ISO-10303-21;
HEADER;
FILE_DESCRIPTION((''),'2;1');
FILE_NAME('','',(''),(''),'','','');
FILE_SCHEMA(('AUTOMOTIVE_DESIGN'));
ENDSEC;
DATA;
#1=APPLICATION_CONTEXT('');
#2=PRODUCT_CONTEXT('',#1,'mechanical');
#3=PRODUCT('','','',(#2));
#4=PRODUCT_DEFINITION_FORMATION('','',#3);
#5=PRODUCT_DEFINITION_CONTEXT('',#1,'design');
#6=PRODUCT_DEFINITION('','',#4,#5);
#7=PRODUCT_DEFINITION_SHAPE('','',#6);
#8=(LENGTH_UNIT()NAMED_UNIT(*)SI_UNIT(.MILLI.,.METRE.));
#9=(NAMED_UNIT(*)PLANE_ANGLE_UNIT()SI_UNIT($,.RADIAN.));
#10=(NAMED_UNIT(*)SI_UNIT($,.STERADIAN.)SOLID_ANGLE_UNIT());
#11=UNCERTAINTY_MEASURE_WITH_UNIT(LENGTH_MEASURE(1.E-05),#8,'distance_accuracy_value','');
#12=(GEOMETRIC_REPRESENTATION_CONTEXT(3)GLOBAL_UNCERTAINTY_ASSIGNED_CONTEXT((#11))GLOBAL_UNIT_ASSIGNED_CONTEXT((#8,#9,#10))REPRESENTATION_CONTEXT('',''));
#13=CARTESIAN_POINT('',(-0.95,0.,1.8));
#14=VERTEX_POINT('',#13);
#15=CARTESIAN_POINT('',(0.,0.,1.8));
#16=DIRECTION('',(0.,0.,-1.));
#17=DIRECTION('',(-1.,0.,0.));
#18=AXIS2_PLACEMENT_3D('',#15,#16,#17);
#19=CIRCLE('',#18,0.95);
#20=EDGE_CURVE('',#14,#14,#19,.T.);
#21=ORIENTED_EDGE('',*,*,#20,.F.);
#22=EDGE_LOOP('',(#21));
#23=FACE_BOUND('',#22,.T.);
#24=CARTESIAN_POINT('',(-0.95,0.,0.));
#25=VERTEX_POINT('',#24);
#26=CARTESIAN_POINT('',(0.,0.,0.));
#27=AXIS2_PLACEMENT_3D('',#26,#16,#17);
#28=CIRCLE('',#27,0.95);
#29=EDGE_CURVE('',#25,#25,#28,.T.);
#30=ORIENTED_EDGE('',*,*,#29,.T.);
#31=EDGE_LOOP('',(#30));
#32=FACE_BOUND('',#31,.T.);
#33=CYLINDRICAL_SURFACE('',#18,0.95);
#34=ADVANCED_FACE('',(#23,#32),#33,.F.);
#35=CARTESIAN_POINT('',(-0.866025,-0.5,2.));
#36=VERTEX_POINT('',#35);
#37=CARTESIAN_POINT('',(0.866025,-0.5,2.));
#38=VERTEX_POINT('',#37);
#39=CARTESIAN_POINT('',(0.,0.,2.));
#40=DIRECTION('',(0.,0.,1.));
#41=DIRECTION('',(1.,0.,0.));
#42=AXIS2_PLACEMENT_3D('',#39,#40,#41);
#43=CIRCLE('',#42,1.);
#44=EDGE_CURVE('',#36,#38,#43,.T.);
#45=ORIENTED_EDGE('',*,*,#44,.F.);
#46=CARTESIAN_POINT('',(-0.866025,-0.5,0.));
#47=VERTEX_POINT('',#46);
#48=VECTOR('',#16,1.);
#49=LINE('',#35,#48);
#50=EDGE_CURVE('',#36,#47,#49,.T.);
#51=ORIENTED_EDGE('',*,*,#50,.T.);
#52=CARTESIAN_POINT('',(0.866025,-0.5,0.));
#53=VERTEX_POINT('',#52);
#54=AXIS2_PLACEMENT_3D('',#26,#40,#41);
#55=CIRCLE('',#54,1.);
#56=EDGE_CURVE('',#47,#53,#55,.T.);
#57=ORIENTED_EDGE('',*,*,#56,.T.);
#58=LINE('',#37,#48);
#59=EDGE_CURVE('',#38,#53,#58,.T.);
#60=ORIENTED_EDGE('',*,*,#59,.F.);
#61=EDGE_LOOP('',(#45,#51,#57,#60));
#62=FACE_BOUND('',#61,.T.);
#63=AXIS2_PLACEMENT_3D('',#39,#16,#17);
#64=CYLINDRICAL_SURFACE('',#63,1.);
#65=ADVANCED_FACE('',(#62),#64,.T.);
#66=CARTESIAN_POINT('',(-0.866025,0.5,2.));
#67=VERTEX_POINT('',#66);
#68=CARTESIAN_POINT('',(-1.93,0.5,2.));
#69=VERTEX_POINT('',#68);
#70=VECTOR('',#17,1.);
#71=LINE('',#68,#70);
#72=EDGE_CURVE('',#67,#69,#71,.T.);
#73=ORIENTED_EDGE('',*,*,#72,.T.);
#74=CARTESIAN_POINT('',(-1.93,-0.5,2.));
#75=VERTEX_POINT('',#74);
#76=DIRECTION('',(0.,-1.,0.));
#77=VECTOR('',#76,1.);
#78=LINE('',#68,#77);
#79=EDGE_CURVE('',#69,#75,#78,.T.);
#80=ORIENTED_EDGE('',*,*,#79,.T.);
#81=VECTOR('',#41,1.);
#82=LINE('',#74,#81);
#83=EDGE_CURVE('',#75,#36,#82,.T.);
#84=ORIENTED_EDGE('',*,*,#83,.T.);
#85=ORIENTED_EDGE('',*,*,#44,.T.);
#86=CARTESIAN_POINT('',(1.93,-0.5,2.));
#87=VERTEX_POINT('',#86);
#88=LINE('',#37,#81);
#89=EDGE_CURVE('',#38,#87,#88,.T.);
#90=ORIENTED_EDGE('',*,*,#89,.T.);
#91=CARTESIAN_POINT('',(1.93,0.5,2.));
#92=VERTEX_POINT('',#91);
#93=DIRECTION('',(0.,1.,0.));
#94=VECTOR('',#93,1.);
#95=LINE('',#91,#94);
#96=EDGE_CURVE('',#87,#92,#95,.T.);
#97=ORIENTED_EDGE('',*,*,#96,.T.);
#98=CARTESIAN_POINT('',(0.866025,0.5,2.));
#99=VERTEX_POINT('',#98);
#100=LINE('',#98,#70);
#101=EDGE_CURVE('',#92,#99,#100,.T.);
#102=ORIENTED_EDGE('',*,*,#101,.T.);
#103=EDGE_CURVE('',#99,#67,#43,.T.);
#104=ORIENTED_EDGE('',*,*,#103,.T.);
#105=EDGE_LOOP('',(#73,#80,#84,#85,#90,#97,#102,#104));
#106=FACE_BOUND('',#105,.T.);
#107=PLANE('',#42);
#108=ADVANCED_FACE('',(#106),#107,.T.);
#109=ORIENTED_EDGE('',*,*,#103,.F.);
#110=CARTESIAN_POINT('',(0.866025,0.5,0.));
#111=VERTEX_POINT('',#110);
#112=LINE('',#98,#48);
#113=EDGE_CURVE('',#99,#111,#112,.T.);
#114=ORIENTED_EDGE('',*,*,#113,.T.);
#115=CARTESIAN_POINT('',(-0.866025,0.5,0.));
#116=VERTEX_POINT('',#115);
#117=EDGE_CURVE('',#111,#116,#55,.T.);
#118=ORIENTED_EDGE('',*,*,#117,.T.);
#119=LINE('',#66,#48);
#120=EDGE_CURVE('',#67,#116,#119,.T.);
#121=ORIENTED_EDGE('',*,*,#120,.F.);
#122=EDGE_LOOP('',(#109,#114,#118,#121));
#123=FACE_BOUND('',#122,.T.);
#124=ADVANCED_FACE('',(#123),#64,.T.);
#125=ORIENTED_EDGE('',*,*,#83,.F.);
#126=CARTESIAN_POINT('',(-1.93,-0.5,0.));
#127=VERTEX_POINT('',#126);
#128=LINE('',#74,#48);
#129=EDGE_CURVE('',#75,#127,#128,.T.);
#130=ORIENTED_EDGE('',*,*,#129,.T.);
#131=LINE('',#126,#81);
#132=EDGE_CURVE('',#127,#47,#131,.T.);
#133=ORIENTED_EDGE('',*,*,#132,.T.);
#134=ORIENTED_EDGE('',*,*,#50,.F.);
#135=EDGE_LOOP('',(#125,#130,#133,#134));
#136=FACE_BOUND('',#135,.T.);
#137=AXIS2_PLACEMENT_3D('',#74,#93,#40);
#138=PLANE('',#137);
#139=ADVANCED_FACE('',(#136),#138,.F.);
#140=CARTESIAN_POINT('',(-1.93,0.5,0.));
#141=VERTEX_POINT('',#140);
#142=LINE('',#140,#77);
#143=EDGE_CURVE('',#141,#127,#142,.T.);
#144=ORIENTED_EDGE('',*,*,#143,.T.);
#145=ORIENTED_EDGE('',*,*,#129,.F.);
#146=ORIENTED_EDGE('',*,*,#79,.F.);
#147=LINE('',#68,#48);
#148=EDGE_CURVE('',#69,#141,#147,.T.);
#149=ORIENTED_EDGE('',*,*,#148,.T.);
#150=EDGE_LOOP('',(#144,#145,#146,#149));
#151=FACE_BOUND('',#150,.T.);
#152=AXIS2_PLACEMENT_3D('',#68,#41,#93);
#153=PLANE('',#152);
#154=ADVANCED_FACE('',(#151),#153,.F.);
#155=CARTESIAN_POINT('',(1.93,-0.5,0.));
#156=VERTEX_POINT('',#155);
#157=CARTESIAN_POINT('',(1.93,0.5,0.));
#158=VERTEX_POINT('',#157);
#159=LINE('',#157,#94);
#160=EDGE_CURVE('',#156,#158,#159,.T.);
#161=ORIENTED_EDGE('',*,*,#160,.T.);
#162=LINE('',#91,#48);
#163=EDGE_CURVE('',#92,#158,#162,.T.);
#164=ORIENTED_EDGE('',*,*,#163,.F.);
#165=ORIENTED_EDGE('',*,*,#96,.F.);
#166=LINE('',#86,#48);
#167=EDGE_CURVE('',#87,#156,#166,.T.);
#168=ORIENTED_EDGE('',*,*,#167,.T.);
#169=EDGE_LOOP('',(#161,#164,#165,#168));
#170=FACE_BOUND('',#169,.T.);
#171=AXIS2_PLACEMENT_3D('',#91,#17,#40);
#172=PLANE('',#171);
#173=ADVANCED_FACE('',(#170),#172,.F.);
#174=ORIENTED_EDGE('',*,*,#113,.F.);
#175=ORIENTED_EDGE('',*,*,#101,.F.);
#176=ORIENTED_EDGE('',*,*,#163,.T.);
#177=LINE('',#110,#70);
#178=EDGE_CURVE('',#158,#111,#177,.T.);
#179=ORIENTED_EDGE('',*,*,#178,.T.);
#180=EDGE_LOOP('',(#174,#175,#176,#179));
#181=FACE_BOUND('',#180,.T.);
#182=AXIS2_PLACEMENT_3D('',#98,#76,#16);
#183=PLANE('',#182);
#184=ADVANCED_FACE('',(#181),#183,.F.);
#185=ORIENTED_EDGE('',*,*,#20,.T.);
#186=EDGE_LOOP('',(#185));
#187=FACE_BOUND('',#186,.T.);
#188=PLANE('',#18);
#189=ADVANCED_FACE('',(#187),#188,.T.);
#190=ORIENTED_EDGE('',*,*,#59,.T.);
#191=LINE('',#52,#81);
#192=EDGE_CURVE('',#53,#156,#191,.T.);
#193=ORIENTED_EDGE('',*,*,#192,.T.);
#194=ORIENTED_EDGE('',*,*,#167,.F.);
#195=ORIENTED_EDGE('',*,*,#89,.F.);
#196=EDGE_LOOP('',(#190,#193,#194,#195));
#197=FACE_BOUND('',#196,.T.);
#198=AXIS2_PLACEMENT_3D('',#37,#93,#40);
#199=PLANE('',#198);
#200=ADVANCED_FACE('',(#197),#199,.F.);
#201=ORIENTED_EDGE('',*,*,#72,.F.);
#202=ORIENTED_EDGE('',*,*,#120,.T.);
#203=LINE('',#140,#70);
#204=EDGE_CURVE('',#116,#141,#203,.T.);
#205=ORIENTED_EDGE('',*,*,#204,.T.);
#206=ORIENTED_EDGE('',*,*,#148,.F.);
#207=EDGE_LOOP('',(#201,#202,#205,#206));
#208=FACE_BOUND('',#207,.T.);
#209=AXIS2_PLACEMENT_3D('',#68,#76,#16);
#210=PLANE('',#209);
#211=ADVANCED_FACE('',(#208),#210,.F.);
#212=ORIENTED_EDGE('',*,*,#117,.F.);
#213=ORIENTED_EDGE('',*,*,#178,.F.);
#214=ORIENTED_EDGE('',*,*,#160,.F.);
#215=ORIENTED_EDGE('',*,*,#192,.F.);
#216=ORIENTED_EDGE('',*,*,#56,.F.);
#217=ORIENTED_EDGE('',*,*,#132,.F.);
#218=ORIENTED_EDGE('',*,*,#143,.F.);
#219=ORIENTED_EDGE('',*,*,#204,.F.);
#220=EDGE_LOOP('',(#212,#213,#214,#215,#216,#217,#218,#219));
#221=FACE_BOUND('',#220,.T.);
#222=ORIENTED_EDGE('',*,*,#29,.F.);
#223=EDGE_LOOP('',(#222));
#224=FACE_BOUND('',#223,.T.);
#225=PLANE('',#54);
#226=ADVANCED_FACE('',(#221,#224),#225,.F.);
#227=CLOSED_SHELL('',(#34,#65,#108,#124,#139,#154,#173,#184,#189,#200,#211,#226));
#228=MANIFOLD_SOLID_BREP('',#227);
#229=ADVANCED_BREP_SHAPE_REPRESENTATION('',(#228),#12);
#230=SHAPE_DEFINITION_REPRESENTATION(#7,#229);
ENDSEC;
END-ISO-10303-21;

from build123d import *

# Parameters (mm, degrees)
BOSS_EXTRUDE1_DEPTH = 2
SKETCH2_R           = 0.95
CUT_EXTRUDE1_DEPTH  = 1.8


with BuildPart() as part:
    # Sketch1 → Boss-Extrude1 (new body)
    with BuildSketch(Plane.XY):
        with BuildLine():
            Line((0.866025404, 0.5), (1.93, 0.5))
            Line((1.93, 0.5), (1.93, -0.5))
            Line((1.93, -0.5), (0.866025404, -0.5))
            ThreePointArc((0.866025404, -0.5), (0, -1), (-0.866025404, -0.5))
            Line((-0.866025404, -0.5), (-1.93, -0.5))
            Line((-1.93, -0.5), (-1.93, 0.5))
            Line((-1.93, 0.5), (-0.866025404, 0.5))
            ThreePointArc((-0.866025404, 0.5), (0, 1), (0.866025404, 0.5))
        make_face()
    extrude(amount=BOSS_EXTRUDE1_DEPTH)

    # Sketch2 → Cut-Extrude1 (cut)
    with BuildSketch(Plane(origin=(0, 0, 0), x_dir=(-1, 0, 0), z_dir=(0, 0, -1))):
        Circle(SKETCH2_R)
    extrude(amount=-CUT_EXTRUDE1_DEPTH, mode=Mode.SUBTRACT)


solid = part.part
